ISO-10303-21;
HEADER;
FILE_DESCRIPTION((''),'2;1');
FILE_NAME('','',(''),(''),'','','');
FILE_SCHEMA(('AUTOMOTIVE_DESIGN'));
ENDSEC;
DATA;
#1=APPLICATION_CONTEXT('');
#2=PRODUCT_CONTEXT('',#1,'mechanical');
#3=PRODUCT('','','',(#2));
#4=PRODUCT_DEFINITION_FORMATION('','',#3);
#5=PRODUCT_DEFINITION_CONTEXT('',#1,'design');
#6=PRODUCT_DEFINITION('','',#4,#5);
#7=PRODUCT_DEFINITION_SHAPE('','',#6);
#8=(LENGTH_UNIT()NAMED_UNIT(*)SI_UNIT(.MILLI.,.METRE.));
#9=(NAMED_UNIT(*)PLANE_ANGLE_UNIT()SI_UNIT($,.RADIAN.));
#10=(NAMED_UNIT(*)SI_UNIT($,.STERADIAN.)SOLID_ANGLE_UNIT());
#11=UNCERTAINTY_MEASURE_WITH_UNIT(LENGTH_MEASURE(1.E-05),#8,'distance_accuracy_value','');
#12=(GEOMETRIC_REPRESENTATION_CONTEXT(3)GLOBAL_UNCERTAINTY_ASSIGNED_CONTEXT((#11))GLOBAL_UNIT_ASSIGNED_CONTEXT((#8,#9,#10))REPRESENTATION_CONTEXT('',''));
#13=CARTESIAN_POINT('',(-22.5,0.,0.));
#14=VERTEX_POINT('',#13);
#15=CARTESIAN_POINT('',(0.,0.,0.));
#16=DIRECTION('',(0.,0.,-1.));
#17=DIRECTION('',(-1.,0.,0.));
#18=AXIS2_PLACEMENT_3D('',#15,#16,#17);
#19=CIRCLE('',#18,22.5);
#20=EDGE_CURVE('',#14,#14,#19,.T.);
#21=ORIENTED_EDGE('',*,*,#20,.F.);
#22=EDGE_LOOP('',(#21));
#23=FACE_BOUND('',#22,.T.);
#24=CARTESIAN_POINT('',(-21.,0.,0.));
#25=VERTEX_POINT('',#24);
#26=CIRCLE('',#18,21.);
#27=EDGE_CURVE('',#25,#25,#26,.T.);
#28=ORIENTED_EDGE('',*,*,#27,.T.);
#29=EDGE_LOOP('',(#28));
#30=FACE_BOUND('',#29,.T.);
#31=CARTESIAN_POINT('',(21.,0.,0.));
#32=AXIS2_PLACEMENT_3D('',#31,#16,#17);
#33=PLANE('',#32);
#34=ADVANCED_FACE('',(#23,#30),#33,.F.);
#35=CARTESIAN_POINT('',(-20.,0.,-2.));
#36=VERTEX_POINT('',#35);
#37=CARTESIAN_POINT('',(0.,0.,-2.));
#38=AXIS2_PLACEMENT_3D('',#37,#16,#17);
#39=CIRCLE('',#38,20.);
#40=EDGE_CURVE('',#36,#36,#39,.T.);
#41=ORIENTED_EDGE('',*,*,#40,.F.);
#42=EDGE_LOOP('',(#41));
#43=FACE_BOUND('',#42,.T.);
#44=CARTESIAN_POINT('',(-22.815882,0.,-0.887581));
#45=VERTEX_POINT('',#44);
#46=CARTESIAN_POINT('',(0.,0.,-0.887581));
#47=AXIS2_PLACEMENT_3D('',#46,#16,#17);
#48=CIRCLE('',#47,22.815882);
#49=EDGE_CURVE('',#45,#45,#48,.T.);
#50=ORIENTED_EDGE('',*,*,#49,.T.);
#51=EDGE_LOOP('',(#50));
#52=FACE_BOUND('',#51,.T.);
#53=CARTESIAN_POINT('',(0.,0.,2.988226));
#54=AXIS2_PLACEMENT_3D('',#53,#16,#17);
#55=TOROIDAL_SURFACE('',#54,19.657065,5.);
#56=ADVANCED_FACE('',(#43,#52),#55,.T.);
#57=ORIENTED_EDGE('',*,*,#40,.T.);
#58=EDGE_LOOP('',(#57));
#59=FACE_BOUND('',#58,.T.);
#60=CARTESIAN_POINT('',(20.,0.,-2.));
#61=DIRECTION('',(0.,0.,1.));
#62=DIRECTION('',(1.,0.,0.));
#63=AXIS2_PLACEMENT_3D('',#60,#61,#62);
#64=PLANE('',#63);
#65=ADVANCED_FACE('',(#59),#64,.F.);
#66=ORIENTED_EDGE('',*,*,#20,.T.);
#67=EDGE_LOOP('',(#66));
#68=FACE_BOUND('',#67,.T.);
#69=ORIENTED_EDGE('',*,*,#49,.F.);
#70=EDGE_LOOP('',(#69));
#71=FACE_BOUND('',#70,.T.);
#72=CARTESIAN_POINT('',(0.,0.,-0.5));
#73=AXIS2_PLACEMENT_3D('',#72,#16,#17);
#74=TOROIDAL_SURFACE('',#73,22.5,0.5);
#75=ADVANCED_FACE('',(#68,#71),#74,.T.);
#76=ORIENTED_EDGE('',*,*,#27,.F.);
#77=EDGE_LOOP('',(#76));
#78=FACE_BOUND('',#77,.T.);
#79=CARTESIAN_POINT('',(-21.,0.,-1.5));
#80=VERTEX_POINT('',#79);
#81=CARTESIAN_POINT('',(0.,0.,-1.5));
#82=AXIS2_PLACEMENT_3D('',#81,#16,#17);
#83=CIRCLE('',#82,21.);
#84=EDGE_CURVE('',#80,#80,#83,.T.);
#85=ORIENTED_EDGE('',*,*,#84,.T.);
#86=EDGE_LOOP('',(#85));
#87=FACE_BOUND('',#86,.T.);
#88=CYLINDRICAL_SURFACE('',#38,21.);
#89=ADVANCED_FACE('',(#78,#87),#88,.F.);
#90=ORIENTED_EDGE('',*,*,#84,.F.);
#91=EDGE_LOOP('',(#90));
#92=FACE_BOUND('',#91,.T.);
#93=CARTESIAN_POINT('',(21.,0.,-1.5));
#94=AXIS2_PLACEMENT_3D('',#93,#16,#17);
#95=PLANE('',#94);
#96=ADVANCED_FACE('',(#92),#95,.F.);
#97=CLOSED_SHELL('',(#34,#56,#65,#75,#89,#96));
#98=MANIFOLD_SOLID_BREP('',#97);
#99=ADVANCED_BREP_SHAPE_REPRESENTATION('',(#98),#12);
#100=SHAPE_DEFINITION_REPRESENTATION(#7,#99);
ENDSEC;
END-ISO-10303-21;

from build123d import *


with BuildPart() as part:
    # Croquis1 → Revolución1 (revolve)
    with BuildSketch(Plane(origin=(0, 0, 0), x_dir=(1, 0, 0), z_dir=(0, 1, 0))):
        with BuildLine():
            Line((21, 0), (22.5, 0))
            ThreePointArc((22.5, 0), (22.971057488, 0.33235501), (22.815881711, 0.88758063))
            ThreePointArc((22.815881711, 0.88758063), (21.494164727, 1.662049929), (20, 2))
            Line((20, 2), (0, 2))
            Line((0, 2), (0, 1.5))
            Line((0, 1.5), (21, 1.5))
            Line((21, 1.5), (21, 0))
        make_face()
    revolve(axis=Axis((0, 0, -2), (0, 0, 1)))


solid = part.part
